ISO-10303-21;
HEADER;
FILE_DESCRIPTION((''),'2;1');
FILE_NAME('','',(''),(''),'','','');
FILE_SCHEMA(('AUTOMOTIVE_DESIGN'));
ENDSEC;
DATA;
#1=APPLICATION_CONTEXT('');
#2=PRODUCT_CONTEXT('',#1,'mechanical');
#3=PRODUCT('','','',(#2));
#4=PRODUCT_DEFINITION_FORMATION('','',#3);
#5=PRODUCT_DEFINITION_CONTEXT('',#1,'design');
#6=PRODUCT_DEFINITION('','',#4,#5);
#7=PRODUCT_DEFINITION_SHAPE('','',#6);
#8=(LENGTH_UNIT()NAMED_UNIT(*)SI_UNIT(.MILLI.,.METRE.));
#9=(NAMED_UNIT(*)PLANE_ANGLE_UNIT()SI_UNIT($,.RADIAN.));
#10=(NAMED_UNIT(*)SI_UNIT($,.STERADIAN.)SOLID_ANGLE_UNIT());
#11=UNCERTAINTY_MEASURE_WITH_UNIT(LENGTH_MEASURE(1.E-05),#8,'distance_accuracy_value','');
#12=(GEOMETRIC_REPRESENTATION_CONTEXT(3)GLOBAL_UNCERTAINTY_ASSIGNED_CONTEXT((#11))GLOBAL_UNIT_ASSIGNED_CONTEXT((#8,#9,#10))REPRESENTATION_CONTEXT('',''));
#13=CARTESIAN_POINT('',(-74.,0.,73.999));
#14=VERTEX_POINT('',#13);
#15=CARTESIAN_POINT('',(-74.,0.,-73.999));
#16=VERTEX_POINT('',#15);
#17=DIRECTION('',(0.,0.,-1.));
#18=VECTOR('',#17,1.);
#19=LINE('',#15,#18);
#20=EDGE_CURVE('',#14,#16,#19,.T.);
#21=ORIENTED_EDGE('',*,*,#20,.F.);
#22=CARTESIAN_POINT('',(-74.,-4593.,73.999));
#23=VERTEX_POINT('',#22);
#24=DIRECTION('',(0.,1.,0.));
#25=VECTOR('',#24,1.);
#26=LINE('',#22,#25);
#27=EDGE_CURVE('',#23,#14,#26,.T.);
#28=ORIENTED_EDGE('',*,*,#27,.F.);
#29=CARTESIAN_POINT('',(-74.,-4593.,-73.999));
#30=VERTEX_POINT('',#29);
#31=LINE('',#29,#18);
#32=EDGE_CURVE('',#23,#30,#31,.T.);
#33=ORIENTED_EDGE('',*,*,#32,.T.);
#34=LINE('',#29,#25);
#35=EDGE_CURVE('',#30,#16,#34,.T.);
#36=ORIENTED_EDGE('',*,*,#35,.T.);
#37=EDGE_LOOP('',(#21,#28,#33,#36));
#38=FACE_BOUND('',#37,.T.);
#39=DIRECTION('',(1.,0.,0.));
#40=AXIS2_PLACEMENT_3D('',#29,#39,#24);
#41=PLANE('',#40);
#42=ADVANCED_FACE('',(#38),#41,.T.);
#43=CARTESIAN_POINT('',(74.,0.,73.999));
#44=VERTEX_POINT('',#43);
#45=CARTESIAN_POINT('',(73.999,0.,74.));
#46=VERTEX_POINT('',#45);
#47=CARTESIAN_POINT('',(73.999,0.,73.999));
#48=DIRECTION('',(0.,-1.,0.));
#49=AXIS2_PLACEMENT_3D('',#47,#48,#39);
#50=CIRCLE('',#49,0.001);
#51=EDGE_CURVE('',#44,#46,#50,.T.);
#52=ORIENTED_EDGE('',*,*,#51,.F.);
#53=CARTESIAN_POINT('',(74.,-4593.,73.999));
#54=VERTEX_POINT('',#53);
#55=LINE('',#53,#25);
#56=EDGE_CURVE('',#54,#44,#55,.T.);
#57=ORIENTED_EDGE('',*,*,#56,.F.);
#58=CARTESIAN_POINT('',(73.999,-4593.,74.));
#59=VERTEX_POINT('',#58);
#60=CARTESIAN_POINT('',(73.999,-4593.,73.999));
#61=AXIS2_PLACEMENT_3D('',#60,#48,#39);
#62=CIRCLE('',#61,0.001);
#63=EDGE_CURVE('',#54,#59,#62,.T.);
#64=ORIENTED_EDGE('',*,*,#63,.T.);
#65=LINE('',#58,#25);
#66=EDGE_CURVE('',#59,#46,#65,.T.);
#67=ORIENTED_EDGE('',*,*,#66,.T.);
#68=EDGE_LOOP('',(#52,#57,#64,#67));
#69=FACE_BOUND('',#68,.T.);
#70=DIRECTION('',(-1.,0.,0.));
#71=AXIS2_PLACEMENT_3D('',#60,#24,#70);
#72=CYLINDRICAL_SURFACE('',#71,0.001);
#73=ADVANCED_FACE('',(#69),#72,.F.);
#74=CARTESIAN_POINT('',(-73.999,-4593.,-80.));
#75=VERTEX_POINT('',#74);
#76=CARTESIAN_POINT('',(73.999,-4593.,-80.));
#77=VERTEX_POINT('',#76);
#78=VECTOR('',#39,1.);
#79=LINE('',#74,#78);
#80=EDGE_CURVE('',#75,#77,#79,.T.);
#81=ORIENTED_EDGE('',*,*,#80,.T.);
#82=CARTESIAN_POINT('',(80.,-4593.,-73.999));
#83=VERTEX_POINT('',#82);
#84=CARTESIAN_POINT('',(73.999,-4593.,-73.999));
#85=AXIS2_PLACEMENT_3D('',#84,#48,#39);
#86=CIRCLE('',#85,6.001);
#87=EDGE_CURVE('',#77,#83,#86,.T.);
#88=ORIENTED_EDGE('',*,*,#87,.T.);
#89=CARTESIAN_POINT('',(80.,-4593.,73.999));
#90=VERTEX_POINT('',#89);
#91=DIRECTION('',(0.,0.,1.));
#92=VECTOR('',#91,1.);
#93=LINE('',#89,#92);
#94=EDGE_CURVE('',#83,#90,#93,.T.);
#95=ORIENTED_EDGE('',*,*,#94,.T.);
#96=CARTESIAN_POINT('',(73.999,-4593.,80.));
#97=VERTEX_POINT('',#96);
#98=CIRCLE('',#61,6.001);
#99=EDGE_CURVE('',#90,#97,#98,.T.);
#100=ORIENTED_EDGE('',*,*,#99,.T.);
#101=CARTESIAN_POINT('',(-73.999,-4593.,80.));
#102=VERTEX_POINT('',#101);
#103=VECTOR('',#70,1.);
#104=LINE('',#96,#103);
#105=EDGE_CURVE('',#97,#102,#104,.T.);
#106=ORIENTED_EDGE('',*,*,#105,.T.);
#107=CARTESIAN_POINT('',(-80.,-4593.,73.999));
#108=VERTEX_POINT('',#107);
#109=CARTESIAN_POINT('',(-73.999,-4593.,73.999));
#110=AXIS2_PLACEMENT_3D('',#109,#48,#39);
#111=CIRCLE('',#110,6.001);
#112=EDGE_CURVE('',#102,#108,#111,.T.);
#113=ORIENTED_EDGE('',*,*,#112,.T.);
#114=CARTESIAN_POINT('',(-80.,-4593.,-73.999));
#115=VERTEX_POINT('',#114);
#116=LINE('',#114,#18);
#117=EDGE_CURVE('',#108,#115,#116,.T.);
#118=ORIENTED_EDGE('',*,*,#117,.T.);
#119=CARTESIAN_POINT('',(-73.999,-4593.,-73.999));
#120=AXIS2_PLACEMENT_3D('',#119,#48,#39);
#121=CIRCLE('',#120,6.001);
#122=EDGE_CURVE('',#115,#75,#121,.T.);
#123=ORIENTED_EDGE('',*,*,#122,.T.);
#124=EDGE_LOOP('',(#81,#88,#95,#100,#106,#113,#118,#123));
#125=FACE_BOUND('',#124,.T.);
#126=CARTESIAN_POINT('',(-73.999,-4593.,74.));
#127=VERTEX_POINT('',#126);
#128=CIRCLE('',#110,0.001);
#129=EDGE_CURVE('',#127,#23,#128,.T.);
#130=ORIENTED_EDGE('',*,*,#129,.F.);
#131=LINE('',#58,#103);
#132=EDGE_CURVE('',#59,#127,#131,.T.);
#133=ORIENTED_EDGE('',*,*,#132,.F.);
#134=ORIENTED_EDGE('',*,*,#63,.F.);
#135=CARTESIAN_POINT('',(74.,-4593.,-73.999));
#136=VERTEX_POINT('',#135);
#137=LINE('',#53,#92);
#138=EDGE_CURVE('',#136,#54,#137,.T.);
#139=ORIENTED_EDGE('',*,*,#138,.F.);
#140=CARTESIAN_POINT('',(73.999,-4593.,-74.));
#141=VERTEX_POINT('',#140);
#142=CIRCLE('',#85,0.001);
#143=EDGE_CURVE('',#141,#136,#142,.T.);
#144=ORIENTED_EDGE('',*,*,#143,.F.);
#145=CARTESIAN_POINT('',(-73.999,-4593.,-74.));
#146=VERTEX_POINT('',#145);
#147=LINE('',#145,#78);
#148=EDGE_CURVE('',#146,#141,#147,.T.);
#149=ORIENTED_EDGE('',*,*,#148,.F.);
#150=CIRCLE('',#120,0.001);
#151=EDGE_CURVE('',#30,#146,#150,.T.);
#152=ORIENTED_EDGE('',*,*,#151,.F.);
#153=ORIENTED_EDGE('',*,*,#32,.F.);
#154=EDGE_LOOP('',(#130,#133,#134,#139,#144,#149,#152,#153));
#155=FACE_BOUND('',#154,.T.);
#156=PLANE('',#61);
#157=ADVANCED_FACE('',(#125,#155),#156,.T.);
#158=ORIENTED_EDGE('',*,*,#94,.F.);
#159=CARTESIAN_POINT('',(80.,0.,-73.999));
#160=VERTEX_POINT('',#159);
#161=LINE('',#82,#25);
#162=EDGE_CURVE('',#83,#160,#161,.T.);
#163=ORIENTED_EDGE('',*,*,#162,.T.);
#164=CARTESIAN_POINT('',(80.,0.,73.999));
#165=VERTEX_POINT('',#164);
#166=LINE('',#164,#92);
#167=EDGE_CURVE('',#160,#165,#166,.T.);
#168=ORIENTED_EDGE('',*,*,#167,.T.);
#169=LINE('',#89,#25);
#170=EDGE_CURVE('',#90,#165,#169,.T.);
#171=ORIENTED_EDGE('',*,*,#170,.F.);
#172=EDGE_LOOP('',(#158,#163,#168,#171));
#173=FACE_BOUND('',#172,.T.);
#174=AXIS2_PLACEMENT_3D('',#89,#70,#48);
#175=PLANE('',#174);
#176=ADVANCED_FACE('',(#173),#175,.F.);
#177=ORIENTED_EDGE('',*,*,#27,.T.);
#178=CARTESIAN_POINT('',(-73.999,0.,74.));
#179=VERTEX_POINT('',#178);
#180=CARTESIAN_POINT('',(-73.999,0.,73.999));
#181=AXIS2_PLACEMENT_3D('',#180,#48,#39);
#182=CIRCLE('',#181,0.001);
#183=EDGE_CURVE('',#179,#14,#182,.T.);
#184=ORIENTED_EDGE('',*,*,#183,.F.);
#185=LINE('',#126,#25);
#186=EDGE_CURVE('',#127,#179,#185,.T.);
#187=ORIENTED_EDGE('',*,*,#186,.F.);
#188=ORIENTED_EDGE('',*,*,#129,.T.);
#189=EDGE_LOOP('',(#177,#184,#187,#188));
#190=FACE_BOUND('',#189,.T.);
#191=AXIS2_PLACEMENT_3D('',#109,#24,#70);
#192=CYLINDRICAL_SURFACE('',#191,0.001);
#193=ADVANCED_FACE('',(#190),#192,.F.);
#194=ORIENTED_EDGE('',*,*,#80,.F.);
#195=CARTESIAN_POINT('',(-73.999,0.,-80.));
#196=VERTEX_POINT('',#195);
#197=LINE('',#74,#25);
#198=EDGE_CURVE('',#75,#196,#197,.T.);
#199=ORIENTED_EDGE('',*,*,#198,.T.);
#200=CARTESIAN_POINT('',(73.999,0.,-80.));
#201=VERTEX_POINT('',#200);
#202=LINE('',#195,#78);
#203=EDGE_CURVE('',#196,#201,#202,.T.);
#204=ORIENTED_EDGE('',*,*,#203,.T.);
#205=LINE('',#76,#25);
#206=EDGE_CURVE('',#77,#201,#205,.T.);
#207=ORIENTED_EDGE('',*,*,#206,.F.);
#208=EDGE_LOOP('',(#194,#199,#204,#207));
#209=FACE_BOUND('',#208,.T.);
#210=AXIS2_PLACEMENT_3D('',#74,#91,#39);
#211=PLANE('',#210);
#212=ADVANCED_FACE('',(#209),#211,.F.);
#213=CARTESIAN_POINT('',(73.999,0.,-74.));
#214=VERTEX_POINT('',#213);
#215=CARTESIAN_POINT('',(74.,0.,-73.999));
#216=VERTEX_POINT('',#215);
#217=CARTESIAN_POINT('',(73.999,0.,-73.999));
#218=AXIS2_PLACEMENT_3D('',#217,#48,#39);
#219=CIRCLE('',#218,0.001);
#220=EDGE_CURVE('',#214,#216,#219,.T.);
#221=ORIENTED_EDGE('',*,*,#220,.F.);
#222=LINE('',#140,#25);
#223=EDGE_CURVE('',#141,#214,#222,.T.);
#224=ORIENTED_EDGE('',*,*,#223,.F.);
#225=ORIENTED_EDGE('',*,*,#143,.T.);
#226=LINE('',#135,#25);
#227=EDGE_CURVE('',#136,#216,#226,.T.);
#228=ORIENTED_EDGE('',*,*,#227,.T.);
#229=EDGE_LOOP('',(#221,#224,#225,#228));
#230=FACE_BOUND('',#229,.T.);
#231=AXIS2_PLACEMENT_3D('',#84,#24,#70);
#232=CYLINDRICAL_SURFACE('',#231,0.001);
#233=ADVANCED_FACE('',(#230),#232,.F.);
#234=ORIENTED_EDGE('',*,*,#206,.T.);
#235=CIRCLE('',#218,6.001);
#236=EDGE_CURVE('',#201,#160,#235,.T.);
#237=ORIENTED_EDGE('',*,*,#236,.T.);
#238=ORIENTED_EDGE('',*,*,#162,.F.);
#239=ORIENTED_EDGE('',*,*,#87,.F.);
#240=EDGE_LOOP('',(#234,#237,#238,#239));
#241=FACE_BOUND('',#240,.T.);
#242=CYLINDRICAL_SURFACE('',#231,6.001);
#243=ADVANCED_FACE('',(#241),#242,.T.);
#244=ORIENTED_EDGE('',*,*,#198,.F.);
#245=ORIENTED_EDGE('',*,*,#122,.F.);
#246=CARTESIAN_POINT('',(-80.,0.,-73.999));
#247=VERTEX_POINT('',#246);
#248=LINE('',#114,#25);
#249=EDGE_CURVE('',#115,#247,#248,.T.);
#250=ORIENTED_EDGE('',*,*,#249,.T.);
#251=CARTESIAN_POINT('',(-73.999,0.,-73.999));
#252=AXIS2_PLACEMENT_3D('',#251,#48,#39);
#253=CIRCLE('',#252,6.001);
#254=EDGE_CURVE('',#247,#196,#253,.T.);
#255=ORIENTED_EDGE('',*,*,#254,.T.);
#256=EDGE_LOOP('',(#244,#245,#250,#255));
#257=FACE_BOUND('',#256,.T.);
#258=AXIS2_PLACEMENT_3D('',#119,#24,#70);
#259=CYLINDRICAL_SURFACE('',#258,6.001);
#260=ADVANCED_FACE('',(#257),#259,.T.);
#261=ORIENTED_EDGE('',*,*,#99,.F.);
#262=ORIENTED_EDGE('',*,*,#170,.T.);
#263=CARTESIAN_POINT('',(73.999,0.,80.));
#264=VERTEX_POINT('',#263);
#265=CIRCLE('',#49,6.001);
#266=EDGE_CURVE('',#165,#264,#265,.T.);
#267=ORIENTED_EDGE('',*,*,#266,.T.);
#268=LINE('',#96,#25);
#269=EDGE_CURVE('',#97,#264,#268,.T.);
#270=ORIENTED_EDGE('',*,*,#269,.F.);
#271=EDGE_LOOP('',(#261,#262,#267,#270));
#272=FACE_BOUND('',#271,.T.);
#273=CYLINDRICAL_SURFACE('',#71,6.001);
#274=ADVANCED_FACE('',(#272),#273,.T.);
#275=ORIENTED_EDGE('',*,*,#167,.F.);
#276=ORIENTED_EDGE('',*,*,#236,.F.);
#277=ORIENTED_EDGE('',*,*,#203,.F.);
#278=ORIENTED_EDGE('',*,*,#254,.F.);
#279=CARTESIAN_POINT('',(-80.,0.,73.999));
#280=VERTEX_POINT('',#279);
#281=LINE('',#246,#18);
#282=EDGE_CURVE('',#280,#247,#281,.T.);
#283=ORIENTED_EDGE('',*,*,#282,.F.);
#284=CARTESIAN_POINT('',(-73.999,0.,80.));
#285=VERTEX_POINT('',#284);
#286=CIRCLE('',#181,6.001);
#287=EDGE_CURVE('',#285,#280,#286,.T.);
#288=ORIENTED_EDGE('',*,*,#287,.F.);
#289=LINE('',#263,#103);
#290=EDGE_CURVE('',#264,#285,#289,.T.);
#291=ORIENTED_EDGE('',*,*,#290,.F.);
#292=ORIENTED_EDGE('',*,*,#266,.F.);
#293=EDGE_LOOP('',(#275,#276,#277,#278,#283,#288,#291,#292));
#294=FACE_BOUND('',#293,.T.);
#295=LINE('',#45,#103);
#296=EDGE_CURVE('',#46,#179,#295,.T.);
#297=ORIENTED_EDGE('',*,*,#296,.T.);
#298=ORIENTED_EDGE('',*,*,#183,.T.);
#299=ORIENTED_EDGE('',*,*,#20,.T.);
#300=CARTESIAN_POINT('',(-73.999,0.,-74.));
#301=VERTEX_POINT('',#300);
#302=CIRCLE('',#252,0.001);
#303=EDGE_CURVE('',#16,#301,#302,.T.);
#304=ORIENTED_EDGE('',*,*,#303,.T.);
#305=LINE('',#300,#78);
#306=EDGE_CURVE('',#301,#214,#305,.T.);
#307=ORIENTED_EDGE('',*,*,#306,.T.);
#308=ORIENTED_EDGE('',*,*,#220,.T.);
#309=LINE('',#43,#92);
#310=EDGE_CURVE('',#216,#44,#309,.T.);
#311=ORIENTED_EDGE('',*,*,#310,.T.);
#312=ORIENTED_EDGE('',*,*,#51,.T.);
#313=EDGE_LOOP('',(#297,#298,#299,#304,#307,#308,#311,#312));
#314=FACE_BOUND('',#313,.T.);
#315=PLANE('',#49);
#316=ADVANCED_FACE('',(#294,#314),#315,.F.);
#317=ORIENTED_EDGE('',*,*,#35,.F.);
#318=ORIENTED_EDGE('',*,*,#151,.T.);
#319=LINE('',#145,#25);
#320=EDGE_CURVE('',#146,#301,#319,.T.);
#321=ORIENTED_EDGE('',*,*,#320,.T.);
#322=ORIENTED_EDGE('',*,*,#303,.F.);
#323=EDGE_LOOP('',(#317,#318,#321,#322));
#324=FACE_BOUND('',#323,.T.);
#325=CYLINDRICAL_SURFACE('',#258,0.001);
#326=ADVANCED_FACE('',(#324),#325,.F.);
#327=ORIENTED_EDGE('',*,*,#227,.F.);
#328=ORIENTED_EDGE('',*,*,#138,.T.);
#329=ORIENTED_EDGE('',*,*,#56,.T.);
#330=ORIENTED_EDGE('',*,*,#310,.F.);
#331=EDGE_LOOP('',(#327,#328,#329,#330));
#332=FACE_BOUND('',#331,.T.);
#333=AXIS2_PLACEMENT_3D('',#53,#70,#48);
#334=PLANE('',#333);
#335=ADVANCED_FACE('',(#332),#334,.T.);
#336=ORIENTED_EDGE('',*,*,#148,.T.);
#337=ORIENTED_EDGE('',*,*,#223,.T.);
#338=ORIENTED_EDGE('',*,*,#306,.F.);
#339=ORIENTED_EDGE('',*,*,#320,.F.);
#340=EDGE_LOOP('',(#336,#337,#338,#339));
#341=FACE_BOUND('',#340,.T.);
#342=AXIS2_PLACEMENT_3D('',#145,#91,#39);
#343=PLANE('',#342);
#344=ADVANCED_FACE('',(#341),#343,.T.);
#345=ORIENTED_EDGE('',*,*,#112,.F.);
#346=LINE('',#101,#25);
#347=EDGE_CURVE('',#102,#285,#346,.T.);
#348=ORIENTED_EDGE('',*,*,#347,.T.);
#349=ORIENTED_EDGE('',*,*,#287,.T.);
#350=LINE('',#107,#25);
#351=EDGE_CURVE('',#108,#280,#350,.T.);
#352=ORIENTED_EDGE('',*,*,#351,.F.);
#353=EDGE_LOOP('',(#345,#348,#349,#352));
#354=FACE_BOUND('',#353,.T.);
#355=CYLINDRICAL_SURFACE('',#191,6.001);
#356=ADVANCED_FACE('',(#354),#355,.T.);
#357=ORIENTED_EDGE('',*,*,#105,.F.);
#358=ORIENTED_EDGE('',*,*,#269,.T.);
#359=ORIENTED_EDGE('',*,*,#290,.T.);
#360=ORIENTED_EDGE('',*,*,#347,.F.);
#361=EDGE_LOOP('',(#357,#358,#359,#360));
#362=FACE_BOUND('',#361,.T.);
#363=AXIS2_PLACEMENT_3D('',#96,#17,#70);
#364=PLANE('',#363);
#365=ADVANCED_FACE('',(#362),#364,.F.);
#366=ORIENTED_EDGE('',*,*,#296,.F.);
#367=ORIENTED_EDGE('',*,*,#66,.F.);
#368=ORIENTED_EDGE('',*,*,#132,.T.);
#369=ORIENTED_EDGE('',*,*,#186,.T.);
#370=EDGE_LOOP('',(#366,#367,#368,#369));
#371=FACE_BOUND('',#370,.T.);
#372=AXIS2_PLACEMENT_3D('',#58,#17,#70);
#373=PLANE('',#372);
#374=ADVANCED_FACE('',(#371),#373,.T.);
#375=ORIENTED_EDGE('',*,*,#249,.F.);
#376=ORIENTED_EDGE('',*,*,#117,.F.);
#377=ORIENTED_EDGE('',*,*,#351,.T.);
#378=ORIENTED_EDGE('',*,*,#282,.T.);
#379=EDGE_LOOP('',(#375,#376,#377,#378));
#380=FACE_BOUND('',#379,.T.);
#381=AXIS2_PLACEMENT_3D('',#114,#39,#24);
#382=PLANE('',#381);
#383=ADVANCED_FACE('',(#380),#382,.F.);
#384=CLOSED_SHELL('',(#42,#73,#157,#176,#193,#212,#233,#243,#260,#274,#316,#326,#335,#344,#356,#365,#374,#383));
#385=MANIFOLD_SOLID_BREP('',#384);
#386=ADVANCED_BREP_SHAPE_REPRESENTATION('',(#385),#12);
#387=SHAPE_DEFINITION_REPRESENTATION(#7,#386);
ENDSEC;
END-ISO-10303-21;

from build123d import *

# Parameters (mm, degrees)
F_8639_82_150_X_150_X_7_0_1_DEPTH = 4593


with BuildPart() as part:
    # Sketch1 → Квадратная труба гост 8639-82 150 X 150 X 7.0(1) (new body)
    with BuildSketch(Plane.XZ):
        with BuildLine():
            Line((-73.999, -80), (73.999, -80))
            ThreePointArc((73.999, -80), (78.242347794, -78.242347794), (80, -73.999))
            Line((80, -73.999), (80, 73.999))
            ThreePointArc((80, 73.999), (78.242347794, 78.242347794), (73.999, 80))
            Line((73.999, 80), (-73.999, 80))
            ThreePointArc((-73.999, 80), (-78.242347794, 78.242347794), (-80, 73.999))
            Line((-80, 73.999), (-80, -73.999))
            ThreePointArc((-80, -73.999), (-78.242347794, -78.242347794), (-73.999, -80))
        make_face()
        with BuildLine():
            Line((-73.999, -74), (73.999, -74))
            ThreePointArc((73.999, -74), (73.999707107, -73.999707107), (74, -73.999))
            Line((74, -73.999), (74, 73.999))
            ThreePointArc((74, 73.999), (73.999707107, 73.999707107), (73.999, 74))
            Line((73.999, 74), (-73.999, 74))
            ThreePointArc((-73.999, 74), (-73.999707107, 73.999707107), (-74, 73.999))
            Line((-74, 73.999), (-74, -73.999))
            ThreePointArc((-74, -73.999), (-73.999707107, -73.999707107), (-73.999, -74))
        make_face(mode=Mode.SUBTRACT)
    extrude(amount=F_8639_82_150_X_150_X_7_0_1_DEPTH)


solid = part.part
